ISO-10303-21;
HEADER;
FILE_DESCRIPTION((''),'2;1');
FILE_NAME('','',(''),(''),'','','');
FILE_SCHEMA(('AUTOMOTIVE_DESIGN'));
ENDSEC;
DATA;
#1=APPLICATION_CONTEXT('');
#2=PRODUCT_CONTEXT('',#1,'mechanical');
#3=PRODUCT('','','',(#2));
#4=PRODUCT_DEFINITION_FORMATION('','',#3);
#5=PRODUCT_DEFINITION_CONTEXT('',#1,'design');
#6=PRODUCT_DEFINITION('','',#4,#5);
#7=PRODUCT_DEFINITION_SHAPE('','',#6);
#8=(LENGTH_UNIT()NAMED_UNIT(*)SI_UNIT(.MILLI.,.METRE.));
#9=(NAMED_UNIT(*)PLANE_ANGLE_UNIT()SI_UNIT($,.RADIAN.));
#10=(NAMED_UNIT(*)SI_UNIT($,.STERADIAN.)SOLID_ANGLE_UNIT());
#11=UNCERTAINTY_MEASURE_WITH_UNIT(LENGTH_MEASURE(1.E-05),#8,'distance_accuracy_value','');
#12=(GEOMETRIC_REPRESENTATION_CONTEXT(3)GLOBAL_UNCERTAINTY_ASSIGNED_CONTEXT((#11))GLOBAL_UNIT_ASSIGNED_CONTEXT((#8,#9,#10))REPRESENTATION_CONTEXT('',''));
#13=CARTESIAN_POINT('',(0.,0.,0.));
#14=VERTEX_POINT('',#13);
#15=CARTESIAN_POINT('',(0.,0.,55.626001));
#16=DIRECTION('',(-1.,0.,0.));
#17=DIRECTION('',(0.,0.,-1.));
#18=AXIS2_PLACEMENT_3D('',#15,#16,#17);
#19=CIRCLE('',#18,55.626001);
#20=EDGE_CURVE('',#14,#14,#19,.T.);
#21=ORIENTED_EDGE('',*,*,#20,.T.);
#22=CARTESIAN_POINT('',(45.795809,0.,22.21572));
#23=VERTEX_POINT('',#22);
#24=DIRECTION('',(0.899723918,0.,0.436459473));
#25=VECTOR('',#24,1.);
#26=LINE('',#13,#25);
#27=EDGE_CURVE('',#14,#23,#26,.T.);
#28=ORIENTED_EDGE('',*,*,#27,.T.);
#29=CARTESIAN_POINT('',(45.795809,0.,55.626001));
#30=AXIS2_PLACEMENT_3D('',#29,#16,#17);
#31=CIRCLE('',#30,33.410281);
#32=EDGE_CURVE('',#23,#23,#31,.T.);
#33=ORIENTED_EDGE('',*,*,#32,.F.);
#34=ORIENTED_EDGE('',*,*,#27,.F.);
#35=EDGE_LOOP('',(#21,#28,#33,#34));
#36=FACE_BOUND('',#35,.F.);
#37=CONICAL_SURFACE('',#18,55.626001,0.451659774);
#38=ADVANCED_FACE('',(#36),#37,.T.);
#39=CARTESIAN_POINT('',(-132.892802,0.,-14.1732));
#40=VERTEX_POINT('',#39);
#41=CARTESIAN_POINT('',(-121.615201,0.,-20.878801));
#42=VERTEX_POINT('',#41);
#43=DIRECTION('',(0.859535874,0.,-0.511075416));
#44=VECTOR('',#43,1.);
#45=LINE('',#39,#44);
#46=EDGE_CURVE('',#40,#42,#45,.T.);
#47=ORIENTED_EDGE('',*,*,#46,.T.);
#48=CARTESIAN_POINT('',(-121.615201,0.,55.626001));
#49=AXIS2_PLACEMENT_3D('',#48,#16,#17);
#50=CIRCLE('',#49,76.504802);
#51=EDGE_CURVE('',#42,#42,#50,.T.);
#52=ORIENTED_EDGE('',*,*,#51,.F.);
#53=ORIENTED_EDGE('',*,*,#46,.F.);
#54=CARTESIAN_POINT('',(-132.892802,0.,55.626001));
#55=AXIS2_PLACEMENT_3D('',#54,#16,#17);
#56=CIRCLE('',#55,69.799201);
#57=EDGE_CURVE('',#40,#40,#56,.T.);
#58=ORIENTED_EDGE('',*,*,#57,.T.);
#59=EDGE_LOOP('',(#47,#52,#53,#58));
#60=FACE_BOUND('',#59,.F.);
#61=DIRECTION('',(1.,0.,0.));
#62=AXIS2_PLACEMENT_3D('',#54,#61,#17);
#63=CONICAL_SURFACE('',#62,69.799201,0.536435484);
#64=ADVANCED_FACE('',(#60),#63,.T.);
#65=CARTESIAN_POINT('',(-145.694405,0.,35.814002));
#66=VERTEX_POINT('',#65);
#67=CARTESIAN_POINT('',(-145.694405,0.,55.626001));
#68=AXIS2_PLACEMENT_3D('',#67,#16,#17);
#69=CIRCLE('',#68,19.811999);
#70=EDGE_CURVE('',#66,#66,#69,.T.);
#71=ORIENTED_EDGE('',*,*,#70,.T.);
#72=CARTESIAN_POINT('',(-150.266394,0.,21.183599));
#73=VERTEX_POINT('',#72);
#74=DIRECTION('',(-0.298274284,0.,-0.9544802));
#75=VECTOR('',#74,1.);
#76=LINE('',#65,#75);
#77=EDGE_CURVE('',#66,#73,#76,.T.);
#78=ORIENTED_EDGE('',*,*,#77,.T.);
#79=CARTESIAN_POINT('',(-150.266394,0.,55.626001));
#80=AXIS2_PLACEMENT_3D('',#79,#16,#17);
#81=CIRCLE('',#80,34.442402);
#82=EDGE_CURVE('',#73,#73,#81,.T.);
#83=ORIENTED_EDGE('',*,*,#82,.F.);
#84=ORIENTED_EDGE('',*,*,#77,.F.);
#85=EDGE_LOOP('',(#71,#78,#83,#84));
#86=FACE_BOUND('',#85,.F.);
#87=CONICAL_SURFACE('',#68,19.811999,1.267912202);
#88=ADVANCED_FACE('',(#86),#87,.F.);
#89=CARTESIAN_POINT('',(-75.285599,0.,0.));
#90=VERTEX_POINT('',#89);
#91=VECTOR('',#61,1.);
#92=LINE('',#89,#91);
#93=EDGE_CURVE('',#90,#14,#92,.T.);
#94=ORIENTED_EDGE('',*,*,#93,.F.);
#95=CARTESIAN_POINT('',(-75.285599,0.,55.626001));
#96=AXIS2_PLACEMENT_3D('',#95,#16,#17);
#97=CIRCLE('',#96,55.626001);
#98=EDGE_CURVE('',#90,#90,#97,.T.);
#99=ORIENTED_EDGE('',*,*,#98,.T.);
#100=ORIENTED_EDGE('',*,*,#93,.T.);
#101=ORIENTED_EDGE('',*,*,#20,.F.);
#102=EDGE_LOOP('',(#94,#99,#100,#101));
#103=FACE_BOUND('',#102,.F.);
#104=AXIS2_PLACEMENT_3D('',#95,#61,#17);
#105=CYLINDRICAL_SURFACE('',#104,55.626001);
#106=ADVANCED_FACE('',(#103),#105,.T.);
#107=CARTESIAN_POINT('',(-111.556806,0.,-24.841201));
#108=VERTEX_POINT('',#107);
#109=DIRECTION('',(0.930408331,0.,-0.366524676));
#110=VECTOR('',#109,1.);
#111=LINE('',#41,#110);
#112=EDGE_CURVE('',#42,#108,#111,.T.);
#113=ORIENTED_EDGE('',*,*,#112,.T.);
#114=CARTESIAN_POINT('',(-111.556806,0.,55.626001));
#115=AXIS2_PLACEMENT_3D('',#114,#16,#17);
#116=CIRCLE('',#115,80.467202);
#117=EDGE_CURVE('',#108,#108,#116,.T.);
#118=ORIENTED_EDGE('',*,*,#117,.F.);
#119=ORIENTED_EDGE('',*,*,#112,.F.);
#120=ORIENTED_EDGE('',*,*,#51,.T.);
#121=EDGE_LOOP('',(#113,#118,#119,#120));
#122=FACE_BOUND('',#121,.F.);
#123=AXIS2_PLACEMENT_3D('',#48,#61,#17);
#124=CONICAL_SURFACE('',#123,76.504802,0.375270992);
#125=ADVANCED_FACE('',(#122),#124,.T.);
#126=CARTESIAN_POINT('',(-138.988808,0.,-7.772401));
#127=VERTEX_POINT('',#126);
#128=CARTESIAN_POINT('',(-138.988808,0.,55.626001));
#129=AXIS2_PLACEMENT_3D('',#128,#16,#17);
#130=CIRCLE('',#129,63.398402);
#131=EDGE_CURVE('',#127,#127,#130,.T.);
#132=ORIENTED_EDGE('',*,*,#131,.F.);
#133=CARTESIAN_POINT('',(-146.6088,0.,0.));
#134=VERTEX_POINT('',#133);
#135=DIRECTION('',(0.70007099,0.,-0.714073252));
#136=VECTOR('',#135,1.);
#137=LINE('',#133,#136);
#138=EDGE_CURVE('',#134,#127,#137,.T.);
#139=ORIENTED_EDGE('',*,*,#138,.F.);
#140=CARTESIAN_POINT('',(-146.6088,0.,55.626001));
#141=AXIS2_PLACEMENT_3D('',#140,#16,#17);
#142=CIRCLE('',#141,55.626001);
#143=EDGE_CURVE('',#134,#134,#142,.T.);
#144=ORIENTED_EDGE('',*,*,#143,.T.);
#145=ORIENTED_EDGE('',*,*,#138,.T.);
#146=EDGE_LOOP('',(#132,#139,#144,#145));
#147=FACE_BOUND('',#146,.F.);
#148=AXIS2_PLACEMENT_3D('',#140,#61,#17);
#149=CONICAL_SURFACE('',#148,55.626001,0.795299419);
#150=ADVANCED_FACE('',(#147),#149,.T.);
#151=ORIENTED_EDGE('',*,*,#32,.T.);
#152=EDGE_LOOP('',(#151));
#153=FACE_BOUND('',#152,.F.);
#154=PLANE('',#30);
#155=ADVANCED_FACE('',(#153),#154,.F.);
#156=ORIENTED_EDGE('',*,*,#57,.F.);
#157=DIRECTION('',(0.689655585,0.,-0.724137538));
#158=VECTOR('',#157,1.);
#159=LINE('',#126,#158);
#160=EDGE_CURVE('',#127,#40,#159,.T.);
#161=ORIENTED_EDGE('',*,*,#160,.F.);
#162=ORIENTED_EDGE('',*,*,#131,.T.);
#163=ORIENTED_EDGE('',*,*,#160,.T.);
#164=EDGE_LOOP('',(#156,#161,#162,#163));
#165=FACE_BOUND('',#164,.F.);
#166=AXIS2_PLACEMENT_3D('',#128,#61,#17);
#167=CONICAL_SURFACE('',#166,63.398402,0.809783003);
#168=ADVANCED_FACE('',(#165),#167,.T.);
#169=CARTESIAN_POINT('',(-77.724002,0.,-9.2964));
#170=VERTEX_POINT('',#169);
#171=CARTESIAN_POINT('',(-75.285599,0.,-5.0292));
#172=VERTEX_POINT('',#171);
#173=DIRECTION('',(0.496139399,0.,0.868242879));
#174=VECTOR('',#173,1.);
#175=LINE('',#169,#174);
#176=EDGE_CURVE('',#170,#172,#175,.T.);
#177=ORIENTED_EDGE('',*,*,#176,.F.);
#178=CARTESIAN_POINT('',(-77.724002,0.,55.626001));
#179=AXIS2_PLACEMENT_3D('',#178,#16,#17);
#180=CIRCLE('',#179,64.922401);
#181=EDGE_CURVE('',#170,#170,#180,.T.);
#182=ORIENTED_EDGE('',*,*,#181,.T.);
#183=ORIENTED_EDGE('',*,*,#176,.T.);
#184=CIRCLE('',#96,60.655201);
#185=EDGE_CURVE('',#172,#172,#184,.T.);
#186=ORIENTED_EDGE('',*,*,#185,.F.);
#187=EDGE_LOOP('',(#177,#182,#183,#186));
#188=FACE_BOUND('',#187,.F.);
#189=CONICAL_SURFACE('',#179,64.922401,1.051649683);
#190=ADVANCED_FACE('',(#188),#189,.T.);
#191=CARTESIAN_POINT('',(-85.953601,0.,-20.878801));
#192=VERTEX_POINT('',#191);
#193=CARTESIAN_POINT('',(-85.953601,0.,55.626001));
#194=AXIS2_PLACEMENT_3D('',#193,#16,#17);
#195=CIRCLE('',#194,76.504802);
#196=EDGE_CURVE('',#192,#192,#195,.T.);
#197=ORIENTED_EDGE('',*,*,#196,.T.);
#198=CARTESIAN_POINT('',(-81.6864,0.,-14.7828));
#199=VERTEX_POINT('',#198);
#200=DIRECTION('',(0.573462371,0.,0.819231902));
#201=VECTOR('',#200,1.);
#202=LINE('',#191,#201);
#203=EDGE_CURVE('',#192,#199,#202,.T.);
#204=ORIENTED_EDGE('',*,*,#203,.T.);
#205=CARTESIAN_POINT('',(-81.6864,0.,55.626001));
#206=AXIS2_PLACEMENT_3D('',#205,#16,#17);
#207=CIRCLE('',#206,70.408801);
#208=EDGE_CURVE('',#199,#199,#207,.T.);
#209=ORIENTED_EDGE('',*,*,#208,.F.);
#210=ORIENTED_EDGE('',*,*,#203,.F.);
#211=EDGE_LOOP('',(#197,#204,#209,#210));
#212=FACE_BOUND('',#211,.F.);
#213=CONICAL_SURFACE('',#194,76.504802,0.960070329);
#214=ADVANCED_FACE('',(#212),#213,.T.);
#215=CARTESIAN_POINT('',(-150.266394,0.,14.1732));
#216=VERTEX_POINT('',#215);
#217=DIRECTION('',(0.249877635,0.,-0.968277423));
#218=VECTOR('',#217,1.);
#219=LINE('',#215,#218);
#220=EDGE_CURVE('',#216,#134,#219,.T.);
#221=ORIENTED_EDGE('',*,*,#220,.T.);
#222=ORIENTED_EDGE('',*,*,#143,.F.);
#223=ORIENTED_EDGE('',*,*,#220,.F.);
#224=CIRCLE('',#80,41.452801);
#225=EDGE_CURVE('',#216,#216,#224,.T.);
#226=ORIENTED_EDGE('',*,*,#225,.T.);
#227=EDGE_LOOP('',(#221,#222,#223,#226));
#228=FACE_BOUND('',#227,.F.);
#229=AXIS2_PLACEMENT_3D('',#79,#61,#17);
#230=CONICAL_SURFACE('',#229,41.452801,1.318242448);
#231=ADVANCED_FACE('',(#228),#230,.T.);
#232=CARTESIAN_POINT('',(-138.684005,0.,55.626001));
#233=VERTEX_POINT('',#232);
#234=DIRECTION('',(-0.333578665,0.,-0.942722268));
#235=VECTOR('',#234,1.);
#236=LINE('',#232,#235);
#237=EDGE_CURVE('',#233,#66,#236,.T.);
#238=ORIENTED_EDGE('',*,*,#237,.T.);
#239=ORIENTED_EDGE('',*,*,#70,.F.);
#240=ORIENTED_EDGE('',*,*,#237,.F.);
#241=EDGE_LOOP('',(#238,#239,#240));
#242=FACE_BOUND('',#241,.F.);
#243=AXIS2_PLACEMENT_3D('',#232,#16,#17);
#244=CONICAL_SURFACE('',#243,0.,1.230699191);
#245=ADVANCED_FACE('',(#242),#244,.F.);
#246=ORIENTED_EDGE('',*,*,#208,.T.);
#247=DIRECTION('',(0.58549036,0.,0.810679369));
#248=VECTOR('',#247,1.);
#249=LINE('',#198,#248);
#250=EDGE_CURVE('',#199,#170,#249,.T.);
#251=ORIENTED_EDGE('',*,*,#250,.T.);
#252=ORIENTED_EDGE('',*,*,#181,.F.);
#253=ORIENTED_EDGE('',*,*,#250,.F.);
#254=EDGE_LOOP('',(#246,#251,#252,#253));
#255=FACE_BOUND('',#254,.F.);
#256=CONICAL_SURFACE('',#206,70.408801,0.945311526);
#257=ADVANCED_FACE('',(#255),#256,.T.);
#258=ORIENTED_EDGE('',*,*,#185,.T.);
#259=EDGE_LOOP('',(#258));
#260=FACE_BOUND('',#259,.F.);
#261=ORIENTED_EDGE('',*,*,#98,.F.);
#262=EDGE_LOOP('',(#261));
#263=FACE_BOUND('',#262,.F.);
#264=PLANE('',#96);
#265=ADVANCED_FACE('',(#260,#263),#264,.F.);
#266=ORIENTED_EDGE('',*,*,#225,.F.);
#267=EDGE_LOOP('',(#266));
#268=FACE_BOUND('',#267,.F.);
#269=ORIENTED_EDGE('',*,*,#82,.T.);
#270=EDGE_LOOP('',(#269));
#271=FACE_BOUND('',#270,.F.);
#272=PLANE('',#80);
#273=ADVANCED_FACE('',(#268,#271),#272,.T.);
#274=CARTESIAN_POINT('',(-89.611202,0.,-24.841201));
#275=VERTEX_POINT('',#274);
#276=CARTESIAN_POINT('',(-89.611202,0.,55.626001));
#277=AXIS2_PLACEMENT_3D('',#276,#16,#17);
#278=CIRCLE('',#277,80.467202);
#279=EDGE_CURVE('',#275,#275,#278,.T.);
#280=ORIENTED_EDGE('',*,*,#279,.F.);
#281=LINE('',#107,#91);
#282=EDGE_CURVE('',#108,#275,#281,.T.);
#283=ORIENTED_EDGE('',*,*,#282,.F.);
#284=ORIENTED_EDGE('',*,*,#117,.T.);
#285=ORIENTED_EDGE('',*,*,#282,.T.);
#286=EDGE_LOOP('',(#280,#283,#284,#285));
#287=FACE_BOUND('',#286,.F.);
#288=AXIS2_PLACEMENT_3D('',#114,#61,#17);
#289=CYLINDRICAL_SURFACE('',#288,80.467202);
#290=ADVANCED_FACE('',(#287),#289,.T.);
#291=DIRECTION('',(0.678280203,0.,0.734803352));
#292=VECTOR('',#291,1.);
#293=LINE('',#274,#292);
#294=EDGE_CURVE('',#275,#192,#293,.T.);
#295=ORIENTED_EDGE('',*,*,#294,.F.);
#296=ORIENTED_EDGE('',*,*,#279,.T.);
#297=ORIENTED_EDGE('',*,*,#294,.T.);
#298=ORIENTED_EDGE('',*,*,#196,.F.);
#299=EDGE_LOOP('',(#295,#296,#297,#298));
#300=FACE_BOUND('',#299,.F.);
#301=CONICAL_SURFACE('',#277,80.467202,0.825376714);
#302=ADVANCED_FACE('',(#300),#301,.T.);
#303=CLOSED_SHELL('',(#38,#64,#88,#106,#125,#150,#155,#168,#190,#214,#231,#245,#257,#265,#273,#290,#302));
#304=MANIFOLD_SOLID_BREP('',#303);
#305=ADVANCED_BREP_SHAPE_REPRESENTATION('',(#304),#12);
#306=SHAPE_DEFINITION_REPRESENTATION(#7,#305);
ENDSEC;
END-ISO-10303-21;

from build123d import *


with BuildPart() as f1:
    # F0 (on Front) → F1 (revolve)
    with BuildSketch(Plane.XZ):
        Polygon((-75.285599, 0), (0, 0), (45.795809, 22.21572), (45.795809, 55.626001), (-100.584, 55.626001), (-138.684005, 55.626001), (-145.694405, 35.814002), (-150.266394, 21.183599), (-150.266394, 14.1732), (-146.6088, 0), (-138.988808, -7.772401), (-132.892802, -14.1732), (-121.615201, -20.878801), (-111.556806, -24.841201), (-100.888804, -24.841201), (-89.611202, -24.841201), (-85.953601, -20.878801), (-81.6864, -14.7828), (-77.724002, -9.2964), (-75.285599, -5.0292), align=None)
    revolve(axis=Axis((-27.394095, 0, 55.626001), (-1, 0, 0)))


solid = f1.part
